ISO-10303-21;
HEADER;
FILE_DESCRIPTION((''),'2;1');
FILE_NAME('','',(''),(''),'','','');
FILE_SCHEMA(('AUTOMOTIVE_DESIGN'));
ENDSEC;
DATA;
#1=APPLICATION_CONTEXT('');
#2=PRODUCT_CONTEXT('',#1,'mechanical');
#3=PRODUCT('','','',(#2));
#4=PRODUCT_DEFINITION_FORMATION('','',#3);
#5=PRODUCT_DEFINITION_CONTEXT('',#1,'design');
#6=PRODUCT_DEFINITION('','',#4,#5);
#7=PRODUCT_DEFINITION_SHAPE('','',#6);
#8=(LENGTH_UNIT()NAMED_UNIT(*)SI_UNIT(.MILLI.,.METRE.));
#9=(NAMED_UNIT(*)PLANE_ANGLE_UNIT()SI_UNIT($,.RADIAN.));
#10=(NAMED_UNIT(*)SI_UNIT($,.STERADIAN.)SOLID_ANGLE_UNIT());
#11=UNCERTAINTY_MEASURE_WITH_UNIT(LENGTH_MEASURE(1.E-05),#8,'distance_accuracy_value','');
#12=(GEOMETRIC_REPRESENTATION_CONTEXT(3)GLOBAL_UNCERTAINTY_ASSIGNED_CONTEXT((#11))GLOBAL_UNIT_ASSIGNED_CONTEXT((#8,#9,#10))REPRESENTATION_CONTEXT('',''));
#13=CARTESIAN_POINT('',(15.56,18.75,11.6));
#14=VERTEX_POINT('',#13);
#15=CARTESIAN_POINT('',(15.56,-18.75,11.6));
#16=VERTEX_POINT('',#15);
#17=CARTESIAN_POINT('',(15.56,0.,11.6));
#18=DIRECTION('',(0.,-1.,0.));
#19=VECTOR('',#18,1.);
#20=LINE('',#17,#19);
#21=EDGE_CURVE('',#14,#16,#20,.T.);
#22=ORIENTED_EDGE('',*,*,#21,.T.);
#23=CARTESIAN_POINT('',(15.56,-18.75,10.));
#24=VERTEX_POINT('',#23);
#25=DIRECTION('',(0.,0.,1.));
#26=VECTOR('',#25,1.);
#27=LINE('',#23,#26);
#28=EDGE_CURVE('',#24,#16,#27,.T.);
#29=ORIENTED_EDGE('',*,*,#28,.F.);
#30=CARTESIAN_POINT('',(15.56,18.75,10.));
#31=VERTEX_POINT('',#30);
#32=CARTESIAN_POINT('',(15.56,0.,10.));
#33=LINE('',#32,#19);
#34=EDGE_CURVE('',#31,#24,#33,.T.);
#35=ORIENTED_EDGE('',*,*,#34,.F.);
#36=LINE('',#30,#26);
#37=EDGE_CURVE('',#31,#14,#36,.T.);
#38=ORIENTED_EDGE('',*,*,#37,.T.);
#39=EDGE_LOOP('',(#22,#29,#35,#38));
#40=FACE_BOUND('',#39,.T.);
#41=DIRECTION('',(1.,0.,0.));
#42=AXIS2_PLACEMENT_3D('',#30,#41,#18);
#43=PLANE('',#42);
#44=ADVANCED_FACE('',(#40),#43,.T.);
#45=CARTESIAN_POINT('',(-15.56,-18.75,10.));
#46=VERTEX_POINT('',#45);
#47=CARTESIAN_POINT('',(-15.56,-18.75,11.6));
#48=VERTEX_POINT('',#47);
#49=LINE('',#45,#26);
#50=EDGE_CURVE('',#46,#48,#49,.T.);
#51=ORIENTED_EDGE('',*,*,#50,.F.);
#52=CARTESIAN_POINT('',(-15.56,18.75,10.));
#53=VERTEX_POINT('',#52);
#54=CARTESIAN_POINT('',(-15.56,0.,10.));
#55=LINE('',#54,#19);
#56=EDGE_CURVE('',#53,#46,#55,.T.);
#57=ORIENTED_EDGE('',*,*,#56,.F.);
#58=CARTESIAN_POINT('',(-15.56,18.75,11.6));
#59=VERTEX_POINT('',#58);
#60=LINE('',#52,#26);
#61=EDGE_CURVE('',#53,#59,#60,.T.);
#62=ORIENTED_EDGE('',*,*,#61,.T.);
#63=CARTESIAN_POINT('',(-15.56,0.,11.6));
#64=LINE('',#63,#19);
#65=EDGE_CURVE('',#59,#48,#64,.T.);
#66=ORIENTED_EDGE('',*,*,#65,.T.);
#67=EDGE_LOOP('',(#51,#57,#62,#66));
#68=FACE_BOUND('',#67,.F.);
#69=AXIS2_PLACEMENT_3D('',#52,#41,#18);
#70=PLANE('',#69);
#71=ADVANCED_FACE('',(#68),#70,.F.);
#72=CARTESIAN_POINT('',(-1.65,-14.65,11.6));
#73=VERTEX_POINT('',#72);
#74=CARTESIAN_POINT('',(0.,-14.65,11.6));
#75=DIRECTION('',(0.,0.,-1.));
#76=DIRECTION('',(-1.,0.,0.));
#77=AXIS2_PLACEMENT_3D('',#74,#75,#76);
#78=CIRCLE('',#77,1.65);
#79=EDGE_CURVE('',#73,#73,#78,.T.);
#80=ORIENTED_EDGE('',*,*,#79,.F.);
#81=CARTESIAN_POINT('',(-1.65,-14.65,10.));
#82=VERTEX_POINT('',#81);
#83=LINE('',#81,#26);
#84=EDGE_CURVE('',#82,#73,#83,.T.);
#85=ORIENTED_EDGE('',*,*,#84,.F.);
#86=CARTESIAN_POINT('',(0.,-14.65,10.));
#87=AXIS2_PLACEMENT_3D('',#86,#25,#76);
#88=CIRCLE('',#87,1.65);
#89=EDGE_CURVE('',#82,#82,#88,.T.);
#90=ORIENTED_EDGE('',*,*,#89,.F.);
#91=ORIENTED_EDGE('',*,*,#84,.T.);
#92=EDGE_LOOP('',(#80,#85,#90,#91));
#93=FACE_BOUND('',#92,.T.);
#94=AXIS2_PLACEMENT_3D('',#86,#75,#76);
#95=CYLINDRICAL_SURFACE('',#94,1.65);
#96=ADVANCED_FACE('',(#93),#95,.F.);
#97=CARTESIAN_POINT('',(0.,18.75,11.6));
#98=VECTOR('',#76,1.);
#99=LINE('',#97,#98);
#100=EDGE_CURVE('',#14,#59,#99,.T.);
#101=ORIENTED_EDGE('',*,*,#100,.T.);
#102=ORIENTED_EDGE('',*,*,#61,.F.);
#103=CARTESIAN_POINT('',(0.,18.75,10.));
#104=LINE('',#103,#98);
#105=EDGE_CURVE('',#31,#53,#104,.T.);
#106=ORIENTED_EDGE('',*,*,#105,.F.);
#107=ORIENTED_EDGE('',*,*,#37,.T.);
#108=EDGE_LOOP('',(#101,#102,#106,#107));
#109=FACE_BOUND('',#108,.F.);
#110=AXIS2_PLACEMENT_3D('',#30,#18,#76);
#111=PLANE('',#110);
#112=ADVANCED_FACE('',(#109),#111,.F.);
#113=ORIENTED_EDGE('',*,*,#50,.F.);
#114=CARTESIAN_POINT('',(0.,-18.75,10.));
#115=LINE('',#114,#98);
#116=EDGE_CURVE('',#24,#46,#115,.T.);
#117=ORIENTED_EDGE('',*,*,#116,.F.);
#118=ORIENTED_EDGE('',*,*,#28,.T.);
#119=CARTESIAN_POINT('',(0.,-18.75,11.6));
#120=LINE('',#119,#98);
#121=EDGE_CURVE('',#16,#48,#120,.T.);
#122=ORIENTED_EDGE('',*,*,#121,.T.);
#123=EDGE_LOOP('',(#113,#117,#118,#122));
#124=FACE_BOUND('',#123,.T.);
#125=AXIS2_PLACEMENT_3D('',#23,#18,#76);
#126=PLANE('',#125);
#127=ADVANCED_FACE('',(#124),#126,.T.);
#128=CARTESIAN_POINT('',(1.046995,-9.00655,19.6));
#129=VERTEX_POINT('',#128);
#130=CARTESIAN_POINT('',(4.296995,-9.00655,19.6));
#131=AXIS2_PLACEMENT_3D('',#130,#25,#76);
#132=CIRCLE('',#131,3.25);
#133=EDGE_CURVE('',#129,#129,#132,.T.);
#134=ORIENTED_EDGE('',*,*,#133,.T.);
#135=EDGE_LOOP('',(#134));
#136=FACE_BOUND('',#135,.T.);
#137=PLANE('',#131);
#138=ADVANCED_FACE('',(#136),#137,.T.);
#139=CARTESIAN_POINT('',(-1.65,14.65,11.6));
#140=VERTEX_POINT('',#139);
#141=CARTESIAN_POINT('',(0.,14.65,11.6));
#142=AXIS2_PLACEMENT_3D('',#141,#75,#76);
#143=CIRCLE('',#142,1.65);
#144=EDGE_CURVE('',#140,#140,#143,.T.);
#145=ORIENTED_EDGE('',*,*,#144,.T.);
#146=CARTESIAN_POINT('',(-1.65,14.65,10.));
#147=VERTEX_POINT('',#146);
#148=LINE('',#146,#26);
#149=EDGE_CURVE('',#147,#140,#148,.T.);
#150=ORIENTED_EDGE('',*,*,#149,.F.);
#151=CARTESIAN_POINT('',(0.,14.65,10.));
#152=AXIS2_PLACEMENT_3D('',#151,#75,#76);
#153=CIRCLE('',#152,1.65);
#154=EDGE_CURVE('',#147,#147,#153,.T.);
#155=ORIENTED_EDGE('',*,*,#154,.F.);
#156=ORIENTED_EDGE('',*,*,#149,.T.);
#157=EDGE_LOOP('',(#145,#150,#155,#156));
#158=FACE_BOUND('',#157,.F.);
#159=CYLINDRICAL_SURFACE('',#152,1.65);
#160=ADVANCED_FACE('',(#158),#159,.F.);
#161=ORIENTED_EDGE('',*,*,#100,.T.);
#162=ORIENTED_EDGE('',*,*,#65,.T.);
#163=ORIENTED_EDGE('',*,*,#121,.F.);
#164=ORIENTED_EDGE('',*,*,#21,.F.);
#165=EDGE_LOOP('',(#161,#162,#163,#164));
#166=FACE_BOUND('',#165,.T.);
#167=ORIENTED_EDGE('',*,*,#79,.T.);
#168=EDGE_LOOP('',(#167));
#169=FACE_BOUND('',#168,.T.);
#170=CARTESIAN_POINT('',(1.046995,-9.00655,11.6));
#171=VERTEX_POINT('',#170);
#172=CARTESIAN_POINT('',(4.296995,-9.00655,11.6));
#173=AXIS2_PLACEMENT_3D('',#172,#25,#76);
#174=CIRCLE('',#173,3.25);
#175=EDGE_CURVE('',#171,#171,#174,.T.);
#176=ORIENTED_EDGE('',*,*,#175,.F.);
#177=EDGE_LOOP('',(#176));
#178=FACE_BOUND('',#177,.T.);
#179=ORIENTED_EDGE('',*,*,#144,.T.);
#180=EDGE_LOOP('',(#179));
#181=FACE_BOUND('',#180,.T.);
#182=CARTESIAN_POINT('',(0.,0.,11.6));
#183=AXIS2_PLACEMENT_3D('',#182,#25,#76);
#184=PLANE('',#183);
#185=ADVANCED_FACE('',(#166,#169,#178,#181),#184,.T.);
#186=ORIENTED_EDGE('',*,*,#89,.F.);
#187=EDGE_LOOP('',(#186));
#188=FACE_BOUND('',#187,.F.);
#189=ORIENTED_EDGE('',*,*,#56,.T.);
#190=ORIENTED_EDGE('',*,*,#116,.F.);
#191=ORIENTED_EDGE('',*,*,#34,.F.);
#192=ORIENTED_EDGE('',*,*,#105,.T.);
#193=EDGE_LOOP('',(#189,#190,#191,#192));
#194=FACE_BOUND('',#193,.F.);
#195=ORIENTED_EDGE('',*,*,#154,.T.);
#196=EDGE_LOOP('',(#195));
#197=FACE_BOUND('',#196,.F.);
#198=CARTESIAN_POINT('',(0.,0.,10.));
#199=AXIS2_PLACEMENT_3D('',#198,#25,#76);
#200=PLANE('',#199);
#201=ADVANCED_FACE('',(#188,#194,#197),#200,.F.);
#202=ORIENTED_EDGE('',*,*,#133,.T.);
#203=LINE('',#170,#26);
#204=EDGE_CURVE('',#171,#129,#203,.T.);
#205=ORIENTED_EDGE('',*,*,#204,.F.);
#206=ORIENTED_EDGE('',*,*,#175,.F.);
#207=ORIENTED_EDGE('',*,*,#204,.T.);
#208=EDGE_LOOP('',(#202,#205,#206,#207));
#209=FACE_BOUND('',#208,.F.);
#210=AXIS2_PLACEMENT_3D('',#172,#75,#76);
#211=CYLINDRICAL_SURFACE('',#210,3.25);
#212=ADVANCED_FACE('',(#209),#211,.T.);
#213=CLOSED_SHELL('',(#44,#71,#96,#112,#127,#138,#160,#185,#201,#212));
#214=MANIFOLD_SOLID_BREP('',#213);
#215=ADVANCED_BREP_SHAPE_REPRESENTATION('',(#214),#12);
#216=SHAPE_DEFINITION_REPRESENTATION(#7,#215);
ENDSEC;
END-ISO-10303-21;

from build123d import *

# Parameters (mm, degrees)
SKETCH018_W             = 31.12
SKETCH018_H             = 37.5
PAD010_DEPTH            = 1.6
SKETCH019_R             = 1.65
POCKET006_DEPTH         = 99.115397
SKETCH032_R             = 3.25
PAD018_DEPTH            = 8
BODY003_PLACEMENT_ANGLE = 180


with BuildPart() as part:
    # Sketch018 → Pad010 (new body)
    with BuildSketch(Plane.XY):
        Rectangle(SKETCH018_W, SKETCH018_H)
    extrude(amount=PAD010_DEPTH)

    # Sketch019 (on Face5 of Pad010) → Pocket006 (cut, through all)
    with BuildSketch(Plane(origin=(0, 0, 0), x_dir=(1, 0, 0), z_dir=(0, 0, -1))):
        with Locations((0, 14.65)):
            Circle(SKETCH019_R)
    pocket006 = extrude(amount=-POCKET006_DEPTH, mode=Mode.SUBTRACT)

    # Mirrored008: Pocket006 across Sketch019 H_Axis
    add(pocket006.mirror(Plane(origin=(0, 0, 0), x_dir=(0, 0, -1), z_dir=(0, -1, 0))), mode=Mode.SUBTRACT)

    # Sketch032 (on Face5 of Mirrored008) → Pad018 (join)
    with BuildSketch(Plane.XY.offset(1.6)):
        with Locations((-4.296995, 9.00655)):
            Circle(SKETCH032_R)
    extrude(amount=PAD018_DEPTH)


with BuildPart() as part_1:
    # Body003 placement: moved
    add(part.part.moved(Location((0, 0, 10))).rotate(Axis((0, 0, 10), (0, 0, 1)), BODY003_PLACEMENT_ANGLE))


solid = part_1.part
